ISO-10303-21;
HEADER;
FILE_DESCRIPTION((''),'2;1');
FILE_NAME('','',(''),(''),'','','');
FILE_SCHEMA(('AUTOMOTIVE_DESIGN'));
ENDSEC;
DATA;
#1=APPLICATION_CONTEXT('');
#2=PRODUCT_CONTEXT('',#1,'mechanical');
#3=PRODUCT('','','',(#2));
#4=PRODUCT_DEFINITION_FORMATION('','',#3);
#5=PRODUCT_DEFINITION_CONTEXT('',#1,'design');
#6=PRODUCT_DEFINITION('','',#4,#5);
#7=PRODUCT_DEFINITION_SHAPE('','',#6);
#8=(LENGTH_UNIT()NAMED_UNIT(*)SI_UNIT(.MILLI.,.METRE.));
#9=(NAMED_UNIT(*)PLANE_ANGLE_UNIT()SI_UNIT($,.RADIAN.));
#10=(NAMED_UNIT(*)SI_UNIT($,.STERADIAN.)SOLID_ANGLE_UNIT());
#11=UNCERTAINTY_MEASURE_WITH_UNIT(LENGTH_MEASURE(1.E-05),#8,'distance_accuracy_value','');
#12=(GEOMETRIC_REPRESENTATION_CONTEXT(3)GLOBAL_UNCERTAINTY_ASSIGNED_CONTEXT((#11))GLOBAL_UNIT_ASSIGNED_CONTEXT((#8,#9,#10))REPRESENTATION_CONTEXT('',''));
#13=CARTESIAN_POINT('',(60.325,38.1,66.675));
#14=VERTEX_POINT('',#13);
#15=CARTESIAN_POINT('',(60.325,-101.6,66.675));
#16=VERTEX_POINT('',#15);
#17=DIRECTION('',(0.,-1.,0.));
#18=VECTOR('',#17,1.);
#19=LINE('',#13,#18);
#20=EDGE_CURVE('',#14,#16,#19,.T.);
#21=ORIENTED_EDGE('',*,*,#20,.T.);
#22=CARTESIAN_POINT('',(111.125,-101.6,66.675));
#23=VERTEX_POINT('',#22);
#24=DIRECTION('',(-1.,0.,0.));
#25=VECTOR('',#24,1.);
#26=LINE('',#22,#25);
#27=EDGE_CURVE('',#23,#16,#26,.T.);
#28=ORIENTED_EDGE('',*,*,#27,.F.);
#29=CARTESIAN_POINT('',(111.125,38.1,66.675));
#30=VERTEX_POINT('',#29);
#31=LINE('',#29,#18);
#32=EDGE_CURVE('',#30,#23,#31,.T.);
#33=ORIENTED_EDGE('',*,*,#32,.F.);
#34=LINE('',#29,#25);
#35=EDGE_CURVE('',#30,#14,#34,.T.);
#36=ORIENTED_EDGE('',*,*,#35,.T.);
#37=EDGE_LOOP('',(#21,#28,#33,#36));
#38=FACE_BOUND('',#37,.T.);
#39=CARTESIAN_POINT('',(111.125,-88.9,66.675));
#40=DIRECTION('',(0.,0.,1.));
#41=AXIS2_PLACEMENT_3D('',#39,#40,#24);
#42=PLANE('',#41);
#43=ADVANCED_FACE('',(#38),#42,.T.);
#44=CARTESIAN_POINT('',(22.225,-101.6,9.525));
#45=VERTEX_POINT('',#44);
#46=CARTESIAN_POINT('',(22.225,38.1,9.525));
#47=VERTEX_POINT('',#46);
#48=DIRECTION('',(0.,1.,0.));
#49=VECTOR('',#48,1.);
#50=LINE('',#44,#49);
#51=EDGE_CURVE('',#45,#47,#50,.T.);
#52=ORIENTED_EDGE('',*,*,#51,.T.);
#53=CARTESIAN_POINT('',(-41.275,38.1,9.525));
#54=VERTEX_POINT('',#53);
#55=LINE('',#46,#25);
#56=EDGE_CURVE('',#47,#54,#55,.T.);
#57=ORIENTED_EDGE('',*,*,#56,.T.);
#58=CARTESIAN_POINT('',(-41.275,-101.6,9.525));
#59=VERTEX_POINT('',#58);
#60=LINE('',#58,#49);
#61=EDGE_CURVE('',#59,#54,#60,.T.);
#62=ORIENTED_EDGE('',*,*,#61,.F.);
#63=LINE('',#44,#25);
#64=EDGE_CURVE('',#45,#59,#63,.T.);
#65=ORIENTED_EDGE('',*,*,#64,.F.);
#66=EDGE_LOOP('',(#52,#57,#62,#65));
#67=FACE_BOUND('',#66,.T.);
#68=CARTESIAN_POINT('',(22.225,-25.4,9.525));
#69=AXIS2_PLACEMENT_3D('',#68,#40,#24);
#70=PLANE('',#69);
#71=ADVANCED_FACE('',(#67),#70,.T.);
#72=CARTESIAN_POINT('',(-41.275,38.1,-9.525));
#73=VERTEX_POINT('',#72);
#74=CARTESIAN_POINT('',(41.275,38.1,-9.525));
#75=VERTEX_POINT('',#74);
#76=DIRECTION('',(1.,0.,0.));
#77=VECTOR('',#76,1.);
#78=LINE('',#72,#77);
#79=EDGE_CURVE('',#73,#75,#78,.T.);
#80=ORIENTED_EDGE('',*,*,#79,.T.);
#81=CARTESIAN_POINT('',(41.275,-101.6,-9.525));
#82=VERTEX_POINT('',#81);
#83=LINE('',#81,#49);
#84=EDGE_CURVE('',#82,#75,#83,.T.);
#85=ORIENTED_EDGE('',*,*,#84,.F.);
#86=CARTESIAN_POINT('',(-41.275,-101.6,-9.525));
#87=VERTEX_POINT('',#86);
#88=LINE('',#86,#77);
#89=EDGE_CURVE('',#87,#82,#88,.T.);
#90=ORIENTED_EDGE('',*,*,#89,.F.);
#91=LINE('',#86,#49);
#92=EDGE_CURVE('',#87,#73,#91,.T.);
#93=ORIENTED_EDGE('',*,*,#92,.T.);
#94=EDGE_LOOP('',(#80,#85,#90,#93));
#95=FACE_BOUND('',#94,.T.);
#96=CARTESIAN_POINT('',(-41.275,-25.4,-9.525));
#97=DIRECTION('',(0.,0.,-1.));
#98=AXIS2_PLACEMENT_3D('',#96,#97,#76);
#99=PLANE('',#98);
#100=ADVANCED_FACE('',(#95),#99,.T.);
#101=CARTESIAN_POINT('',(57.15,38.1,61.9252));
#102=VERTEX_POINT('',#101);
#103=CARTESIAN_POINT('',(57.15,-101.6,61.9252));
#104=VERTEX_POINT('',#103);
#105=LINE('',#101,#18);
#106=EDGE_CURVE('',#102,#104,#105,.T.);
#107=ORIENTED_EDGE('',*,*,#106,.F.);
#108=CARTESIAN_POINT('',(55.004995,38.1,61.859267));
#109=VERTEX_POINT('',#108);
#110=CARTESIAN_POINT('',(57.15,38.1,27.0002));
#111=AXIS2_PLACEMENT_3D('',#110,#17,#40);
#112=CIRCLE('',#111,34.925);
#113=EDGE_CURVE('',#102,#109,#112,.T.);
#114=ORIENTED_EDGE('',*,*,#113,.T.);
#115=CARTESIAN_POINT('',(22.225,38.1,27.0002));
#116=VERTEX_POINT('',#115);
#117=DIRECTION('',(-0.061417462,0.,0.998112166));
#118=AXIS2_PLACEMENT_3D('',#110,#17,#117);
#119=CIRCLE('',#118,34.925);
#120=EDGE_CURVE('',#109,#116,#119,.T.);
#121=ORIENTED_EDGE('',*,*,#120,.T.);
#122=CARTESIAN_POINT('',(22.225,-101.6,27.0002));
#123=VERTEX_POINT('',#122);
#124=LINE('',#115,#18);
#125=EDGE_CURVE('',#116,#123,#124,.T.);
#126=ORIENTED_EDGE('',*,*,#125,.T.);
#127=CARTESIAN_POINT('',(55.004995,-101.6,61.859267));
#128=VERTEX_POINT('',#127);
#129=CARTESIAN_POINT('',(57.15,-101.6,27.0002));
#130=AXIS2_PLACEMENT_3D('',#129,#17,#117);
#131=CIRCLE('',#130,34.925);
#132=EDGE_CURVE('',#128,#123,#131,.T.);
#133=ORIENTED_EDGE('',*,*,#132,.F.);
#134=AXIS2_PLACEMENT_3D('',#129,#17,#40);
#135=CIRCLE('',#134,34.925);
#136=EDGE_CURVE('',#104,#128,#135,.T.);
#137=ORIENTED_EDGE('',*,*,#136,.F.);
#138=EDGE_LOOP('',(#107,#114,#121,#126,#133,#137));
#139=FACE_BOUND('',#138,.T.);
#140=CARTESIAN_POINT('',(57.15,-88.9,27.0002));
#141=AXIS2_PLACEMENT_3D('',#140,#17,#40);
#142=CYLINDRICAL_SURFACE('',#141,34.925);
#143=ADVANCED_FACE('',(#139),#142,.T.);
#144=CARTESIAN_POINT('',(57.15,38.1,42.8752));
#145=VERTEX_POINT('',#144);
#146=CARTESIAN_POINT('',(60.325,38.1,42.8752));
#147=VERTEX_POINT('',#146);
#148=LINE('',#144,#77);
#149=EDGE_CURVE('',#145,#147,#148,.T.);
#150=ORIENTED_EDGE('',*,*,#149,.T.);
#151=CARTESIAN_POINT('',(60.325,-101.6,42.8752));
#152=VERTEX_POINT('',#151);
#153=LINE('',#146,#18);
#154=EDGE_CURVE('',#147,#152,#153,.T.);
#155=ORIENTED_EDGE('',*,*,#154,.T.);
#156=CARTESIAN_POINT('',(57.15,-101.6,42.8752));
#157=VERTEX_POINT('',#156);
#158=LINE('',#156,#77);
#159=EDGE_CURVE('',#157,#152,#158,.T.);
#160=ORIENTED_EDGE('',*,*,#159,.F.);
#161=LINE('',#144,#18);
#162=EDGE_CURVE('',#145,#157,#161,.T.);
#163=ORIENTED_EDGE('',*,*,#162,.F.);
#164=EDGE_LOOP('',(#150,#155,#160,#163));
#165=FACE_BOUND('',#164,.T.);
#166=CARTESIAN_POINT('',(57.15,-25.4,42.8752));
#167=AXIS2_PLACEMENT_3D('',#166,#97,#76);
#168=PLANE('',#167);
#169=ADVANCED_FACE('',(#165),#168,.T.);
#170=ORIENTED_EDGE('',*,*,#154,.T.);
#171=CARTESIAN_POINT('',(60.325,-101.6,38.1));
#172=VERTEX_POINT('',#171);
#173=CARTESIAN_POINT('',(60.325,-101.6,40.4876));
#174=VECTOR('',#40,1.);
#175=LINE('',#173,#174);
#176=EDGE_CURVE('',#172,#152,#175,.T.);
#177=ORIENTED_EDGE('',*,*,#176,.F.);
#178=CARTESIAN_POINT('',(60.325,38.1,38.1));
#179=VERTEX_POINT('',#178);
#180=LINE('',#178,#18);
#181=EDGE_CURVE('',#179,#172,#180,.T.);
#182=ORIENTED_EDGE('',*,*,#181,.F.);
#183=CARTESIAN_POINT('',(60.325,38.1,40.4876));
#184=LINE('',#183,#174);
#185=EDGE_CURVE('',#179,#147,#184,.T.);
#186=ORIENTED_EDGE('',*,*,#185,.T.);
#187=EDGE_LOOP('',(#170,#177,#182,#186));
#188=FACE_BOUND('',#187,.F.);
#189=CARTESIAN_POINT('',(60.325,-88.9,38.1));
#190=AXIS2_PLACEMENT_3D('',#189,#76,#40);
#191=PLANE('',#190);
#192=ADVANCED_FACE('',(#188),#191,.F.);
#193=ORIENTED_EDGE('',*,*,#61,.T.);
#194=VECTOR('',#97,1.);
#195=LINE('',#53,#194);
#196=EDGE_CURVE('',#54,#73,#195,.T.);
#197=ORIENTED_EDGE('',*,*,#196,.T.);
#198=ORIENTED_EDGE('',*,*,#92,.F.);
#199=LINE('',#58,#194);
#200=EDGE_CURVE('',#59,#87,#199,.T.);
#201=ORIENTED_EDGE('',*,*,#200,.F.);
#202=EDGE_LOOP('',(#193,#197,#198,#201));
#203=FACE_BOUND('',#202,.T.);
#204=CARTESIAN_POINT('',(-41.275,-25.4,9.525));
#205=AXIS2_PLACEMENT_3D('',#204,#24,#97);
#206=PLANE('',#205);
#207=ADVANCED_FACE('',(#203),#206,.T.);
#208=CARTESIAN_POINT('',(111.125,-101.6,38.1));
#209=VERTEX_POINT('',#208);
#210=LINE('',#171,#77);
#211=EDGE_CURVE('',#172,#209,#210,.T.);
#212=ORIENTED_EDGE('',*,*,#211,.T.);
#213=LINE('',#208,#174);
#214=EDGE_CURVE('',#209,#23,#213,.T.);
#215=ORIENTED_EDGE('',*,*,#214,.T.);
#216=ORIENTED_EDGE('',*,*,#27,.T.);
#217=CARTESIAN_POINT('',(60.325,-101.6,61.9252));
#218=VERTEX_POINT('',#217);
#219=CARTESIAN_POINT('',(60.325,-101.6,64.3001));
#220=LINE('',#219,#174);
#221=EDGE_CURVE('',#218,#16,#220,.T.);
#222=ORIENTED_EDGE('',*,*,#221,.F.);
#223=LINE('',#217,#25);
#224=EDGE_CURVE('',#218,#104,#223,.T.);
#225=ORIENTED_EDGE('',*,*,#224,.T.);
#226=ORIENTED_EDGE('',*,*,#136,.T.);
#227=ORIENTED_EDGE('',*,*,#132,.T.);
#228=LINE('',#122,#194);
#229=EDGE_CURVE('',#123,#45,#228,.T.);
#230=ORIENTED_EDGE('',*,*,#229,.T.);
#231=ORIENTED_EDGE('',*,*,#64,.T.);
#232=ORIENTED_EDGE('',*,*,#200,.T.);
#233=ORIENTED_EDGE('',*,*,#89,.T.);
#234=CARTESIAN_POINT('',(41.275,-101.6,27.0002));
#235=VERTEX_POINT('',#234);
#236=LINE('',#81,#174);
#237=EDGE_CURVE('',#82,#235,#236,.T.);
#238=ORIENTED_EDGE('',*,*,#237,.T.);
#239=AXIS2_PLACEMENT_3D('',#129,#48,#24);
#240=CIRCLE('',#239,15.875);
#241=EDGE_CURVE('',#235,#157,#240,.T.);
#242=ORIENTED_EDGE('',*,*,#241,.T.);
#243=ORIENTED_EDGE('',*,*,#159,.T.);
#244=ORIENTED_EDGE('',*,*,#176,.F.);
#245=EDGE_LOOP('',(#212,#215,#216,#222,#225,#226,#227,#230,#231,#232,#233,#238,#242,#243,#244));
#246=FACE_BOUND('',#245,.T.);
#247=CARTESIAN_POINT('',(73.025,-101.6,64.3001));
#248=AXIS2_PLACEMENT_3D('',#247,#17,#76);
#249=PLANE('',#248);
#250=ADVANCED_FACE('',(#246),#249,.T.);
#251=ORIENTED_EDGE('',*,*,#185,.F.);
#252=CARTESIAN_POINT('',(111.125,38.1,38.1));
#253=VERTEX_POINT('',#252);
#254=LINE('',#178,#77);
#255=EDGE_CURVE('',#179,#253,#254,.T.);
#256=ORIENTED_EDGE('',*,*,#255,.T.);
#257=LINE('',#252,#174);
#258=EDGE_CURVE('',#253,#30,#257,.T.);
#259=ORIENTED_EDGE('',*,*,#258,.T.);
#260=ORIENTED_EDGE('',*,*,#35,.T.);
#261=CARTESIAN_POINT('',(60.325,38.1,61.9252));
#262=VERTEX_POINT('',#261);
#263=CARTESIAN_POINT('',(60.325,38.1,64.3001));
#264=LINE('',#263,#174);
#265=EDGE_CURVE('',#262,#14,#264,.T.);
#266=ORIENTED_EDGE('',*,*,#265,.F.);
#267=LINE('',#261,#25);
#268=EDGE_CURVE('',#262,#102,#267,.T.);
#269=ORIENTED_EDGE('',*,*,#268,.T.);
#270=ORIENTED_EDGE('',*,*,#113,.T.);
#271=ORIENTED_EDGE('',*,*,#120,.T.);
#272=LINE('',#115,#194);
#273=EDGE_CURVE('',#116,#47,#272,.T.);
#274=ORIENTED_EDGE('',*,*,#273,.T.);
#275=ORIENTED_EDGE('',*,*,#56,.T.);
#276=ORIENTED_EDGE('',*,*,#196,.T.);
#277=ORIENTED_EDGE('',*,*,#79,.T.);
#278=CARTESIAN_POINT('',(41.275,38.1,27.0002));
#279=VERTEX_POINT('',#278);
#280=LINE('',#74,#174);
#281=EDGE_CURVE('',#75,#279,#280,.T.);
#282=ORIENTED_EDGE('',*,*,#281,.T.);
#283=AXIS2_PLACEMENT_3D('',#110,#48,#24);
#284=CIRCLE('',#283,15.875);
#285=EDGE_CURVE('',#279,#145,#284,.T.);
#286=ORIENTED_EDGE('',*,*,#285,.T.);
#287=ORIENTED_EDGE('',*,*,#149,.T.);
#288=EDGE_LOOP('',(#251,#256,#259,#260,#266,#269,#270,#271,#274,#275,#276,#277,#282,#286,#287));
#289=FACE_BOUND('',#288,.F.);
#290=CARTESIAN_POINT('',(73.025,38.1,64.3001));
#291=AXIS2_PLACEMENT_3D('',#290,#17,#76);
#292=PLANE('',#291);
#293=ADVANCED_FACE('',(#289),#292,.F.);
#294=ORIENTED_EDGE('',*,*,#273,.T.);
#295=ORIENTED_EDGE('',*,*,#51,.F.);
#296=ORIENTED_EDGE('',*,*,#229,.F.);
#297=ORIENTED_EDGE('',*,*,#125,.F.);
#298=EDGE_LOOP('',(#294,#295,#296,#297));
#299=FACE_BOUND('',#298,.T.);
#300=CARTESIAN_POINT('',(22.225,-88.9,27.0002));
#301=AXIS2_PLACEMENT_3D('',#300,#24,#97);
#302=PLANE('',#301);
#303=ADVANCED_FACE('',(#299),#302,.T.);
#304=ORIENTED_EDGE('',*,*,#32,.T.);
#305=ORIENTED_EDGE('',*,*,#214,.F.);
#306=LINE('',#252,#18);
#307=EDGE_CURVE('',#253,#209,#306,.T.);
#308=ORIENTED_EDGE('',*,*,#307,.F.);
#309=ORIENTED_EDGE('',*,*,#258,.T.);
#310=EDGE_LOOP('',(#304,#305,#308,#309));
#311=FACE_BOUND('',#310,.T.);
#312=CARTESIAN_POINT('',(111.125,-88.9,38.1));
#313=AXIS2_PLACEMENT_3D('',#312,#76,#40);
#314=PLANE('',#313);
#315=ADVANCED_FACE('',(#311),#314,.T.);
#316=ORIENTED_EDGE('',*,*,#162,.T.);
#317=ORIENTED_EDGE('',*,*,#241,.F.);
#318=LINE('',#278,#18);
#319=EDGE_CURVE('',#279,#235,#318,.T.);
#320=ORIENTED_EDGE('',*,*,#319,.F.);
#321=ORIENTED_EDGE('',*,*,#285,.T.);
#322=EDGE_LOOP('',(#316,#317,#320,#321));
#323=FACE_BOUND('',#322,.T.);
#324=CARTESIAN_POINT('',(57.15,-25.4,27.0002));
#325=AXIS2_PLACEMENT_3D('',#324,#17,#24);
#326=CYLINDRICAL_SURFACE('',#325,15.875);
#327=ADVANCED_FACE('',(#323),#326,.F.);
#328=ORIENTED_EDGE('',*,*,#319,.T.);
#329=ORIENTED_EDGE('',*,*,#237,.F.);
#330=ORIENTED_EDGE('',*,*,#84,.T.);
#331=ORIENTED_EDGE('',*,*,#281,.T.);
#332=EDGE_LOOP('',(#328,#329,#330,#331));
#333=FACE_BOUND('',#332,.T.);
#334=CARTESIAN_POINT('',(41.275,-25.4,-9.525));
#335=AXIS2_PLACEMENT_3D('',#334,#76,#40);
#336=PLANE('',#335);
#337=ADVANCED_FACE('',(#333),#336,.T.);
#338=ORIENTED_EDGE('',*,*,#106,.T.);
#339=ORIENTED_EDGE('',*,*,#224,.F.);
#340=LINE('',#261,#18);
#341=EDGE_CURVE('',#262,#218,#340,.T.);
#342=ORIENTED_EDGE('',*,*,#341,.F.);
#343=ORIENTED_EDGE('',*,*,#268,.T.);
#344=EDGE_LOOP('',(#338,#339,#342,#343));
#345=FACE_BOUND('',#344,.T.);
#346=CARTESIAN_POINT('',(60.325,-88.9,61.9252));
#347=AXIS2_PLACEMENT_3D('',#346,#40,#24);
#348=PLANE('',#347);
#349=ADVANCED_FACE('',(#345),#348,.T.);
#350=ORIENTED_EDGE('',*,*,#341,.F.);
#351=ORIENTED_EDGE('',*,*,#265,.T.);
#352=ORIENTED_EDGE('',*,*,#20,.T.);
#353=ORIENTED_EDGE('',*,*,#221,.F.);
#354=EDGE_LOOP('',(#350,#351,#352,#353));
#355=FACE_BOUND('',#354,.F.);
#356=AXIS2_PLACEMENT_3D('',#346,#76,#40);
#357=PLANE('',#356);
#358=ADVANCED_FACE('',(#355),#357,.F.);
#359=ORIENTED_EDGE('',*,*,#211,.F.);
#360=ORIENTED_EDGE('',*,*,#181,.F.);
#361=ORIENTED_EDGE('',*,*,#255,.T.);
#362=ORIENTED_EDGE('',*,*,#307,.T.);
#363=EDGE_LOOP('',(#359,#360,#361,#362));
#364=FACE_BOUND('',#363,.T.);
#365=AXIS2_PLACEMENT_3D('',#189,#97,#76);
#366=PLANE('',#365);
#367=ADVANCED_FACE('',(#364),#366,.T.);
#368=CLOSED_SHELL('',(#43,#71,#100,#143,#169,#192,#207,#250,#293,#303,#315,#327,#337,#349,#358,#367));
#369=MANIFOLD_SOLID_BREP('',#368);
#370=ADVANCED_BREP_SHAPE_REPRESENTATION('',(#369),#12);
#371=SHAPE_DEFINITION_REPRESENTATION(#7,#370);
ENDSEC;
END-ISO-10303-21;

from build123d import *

# Parameters (mm, degrees)
F0_W     = 25.4
F0_H     = 4.7498
F0_H_2   = 4.7752
F0_H_3   = 19.05
F1_DEPTH = 25.4
F2_DEPTH = 63.5
F3_DEPTH = 12.7


with BuildPart() as f1:
    # F0 (on Front) → F1 (new body, symmetric)
    with BuildSketch(Plane.XZ):
        with Locations((73.025, 64.3001)):
            Rectangle(F0_W, F0_H)
        with Locations((73.025, 40.4876)):
            Rectangle(F0_W, F0_H_2)
        with BuildLine():
            Line((22.225, 9.525), (41.275, 9.525))
            Line((41.275, 9.525), (41.275, 27.0002))
            ThreePointArc((41.275, 27.0002), (45.9246798487, 38.2255201513), (57.15, 42.8752))
            Line((57.15, 42.8752), (60.325, 42.8752))
            Line((60.325, 42.8752), (60.325, 61.9252))
            Line((60.325, 61.9252), (57.15, 61.9252))
            add(Edge.make_bspline(
                [(55.0049951234, 61.8592673868), (55.7203693302, 61.8825211743), (56.4354212261, 61.9044283334), (57.15, 61.9252)],
                knots=[109.5299309045, 109.5299309045, 109.5299309045, 109.5299309045, 111.5045361635, 111.5045361635, 111.5045361635, 111.5045361635], degree=3))
            ThreePointArc((55.0049951234, 61.8592673868), (31.7072218467, 50.9255143102), (22.225, 27.0002))
            Line((22.225, 27.0002), (22.225, 9.525))
        make_face()
        with Locations((73.025, 52.4002)):
            Rectangle(F0_W, F0_H_3)
        Polygon((85.725, 61.9252), (85.725, 42.8752), (85.725, 38.1), (111.125, 38.1), (111.125, 66.675), (85.725, 66.675), align=None)
        with BuildLine():
            ThreePointArc((57.15, 61.9252), (56.0769910263, 61.9087129552), (55.0049951234, 61.8592673868))
            add(Edge.make_bspline(
                [(55.0049951234, 61.8592673868), (55.7203693302, 61.8825211743), (56.4354212261, 61.9044283334), (57.15, 61.9252)],
                knots=[109.5299309045, 109.5299309045, 109.5299309045, 109.5299309045, 111.5045361635, 111.5045361635, 111.5045361635, 111.5045361635], degree=3))
        make_face()
        Polygon((41.275, -9.525), (41.275, 9.525), (22.225, 9.525), (-41.275, 9.525), (-41.275, -9.525), align=None)
    extrude(amount=F1_DEPTH, both=True)

    # F2 (add, symmetric): a face of the model
    f2_faces = [f1.faces().sort_by_distance(p)[0] for p in [
        (40.4852696712, -25.4, 28.4092448442),
    ]]
    extrude(f2_faces, amount=F2_DEPTH, both=True)

    # F3 (add, symmetric): a face of the model
    f3_faces = [f1.faces().sort_by_distance(p)[0] for p in [
        (40.4852696712, -88.9, 28.4092448442),
    ]]
    extrude(f3_faces, amount=F3_DEPTH, both=True)


solid = f1.part
